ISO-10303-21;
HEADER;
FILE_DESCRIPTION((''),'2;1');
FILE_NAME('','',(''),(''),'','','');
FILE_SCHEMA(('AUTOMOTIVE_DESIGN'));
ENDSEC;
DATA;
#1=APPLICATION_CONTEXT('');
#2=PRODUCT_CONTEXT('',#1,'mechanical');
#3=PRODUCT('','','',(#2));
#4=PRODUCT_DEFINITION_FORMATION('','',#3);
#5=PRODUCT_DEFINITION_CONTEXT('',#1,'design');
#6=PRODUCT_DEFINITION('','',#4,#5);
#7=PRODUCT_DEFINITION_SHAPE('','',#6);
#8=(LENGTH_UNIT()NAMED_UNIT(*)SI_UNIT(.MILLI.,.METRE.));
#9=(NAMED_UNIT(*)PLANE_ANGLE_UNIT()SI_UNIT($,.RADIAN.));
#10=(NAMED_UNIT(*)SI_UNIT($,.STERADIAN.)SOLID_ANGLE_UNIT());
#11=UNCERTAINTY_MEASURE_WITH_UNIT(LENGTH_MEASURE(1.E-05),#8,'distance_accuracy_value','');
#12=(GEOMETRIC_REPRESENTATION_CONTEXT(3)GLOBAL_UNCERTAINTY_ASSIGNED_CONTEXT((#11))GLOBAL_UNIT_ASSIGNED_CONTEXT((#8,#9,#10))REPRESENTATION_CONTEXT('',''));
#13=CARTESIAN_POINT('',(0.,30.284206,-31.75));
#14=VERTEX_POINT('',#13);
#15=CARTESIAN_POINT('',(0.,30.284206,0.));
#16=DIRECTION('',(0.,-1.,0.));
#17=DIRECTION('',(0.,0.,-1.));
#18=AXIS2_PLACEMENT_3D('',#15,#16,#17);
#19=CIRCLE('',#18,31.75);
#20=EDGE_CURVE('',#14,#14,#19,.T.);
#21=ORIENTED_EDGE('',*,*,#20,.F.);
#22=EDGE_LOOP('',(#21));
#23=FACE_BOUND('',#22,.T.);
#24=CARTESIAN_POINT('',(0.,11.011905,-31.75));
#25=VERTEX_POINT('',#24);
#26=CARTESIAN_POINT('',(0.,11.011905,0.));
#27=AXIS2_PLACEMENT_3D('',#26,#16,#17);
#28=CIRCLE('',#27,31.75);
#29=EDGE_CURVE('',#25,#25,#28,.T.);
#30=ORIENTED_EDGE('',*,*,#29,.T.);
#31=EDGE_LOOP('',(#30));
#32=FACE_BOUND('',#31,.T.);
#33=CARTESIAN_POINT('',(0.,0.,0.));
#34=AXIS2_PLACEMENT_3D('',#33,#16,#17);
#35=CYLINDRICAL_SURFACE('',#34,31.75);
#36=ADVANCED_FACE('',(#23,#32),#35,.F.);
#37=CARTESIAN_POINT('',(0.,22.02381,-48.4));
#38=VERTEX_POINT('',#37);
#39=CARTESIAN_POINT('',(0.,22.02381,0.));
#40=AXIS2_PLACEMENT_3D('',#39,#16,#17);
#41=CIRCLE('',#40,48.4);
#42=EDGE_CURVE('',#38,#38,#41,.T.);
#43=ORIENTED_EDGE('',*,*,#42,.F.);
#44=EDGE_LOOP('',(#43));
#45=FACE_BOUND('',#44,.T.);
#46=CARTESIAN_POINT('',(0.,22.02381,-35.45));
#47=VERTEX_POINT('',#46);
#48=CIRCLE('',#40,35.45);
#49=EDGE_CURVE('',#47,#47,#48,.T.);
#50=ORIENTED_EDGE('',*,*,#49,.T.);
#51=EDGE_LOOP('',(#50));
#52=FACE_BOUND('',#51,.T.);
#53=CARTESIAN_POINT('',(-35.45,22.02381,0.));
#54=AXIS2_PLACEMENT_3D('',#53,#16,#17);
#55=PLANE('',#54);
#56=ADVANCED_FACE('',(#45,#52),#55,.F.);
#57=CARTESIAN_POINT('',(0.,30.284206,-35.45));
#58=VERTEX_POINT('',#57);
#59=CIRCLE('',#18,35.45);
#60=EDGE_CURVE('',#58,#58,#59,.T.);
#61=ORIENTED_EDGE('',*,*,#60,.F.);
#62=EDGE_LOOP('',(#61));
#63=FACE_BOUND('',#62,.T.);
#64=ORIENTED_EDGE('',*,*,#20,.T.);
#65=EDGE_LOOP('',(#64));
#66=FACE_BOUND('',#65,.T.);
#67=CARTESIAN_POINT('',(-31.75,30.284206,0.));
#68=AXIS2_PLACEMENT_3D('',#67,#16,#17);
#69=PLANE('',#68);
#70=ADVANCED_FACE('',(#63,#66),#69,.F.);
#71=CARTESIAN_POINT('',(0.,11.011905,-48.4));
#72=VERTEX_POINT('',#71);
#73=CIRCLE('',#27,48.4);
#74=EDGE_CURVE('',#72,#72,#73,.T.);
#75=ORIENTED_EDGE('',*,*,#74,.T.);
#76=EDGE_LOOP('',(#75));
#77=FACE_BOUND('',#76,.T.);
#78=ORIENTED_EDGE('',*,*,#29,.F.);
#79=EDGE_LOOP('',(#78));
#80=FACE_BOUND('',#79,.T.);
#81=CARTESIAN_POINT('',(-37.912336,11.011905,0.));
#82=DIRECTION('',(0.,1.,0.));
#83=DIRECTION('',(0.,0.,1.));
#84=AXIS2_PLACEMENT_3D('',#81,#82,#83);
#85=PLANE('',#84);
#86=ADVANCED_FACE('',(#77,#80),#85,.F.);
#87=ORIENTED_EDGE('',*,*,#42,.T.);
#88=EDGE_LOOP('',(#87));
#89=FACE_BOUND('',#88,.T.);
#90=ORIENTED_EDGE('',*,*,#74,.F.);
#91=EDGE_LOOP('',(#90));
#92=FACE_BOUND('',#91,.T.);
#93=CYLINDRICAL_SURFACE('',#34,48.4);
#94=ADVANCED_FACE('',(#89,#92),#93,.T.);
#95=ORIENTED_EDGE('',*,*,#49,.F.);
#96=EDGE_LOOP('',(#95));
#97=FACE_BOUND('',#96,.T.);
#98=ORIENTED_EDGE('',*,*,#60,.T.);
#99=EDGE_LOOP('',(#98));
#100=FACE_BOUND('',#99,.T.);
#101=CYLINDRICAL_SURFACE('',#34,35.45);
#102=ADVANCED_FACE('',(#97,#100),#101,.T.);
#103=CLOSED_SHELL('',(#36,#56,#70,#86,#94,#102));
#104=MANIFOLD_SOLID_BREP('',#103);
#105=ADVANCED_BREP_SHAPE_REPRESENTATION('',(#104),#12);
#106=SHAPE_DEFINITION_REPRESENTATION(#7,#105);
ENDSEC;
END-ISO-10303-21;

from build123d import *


with BuildPart() as part:
    # Sketch1 → Revolve1 (revolve)
    with BuildSketch(Plane.XY, mode=Mode.PRIVATE) as revolve1_sk:
        Polygon((-31.75, 11.011904892), (-31.75, 30.284206474), (-35.45, 30.284206474), (-35.45, 22.023809654), (-48.4, 22.023809654), (-48.4, 11.011904892), (-37.912336485, 11.011904892), align=None)
    revolve(revolve1_sk.sketch.rotate(Axis((0, 0, 0), (0, 1, 0)), 270), axis=Axis((0, 0, 0), (0, 1, 0)))


solid = part.part
